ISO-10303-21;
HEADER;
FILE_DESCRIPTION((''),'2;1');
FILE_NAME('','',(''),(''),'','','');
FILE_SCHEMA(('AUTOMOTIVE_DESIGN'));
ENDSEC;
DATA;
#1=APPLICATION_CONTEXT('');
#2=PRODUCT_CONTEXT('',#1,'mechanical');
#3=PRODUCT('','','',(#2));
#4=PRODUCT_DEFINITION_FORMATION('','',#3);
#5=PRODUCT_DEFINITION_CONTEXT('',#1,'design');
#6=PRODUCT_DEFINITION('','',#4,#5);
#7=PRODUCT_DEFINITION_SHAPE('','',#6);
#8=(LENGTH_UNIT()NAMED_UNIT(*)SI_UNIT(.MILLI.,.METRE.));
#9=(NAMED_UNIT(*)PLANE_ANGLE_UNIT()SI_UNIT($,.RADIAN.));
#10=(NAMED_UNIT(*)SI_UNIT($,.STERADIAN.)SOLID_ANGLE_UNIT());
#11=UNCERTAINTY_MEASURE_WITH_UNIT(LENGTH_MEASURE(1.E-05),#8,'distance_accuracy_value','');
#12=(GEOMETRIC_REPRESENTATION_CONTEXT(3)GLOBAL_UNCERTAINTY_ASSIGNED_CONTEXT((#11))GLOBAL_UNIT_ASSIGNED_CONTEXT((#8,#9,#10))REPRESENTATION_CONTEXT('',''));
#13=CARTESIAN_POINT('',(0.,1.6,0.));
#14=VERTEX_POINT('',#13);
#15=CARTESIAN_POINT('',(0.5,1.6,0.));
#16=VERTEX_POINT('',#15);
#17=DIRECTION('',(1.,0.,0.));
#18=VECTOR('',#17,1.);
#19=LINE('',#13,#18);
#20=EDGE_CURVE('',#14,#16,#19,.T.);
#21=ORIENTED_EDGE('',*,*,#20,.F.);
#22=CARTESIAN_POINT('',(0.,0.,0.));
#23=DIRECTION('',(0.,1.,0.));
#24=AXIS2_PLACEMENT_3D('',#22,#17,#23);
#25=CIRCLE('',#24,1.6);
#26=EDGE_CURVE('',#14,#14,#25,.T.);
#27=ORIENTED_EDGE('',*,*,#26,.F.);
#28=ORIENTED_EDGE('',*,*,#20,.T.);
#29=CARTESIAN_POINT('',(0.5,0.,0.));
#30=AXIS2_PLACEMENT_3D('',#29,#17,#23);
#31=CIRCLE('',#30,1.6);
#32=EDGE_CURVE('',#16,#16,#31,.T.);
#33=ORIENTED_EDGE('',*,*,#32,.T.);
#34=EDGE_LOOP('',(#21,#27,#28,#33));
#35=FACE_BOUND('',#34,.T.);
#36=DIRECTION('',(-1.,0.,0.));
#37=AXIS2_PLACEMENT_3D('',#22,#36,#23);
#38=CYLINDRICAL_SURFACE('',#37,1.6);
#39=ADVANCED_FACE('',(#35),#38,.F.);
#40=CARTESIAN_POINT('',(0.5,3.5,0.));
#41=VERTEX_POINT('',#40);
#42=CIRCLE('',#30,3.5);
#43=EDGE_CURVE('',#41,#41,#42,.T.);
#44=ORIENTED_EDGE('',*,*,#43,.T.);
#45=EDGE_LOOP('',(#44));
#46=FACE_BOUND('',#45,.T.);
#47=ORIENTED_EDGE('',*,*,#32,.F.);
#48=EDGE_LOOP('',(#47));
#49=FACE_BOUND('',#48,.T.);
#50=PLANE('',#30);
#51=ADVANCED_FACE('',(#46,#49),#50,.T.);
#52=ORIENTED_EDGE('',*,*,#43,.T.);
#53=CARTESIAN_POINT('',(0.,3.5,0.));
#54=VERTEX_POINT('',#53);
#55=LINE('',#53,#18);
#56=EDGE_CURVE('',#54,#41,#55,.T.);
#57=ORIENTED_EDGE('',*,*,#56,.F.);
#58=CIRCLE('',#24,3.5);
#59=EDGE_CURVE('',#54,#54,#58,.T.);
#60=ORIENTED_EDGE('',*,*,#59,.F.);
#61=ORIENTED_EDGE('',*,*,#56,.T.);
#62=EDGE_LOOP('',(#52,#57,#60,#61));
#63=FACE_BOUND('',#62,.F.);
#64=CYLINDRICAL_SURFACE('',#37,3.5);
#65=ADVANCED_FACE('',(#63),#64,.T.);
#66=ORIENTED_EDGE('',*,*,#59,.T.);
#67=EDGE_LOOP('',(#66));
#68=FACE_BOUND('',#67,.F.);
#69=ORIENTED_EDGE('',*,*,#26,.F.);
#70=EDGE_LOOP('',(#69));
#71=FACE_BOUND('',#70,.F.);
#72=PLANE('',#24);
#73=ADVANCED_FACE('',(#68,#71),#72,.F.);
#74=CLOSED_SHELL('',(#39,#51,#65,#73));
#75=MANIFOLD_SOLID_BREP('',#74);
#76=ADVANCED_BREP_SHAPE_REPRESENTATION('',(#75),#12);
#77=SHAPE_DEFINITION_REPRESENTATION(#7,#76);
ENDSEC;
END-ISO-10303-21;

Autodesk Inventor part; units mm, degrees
ref_plane "YZ Plane" through (0, 0, 0) normal (1, 0, 0) x (0, 1, 0)
ref_plane "XZ Plane" through (0, 0, 0) normal (0, 1, 0) x (-1, 0, 0)
sketch "Esquisse" plane through (0, 0, 0) normal (1, 0, 0) x (0, 1, 0)
  circle A0 centre (0, 0) radius 3.5
  circle A1 centre (0, 0) radius 1.6
  dimension "d0" = 3.2
  dimension "d1" = 7
extrude "Corps" add sketch "Esquisse" along normal blind 0.5
ref_plane "Work Plane1" through (0, 0, 0) normal (0, 0, 1) x (1, 0, 0)
equation "\"d0\" = SD1"
equation "\"d1\" = SD2"
equation "\"d2\" = SD"
equation "\"SD1\" = 3.2"
equation "\"SD2\" = 7"
equation "\"SD\" = 0.5"
equation "\"NND\" = 3"
properties part number "ISO 7089 - 3" material "Acier inoxydable"
